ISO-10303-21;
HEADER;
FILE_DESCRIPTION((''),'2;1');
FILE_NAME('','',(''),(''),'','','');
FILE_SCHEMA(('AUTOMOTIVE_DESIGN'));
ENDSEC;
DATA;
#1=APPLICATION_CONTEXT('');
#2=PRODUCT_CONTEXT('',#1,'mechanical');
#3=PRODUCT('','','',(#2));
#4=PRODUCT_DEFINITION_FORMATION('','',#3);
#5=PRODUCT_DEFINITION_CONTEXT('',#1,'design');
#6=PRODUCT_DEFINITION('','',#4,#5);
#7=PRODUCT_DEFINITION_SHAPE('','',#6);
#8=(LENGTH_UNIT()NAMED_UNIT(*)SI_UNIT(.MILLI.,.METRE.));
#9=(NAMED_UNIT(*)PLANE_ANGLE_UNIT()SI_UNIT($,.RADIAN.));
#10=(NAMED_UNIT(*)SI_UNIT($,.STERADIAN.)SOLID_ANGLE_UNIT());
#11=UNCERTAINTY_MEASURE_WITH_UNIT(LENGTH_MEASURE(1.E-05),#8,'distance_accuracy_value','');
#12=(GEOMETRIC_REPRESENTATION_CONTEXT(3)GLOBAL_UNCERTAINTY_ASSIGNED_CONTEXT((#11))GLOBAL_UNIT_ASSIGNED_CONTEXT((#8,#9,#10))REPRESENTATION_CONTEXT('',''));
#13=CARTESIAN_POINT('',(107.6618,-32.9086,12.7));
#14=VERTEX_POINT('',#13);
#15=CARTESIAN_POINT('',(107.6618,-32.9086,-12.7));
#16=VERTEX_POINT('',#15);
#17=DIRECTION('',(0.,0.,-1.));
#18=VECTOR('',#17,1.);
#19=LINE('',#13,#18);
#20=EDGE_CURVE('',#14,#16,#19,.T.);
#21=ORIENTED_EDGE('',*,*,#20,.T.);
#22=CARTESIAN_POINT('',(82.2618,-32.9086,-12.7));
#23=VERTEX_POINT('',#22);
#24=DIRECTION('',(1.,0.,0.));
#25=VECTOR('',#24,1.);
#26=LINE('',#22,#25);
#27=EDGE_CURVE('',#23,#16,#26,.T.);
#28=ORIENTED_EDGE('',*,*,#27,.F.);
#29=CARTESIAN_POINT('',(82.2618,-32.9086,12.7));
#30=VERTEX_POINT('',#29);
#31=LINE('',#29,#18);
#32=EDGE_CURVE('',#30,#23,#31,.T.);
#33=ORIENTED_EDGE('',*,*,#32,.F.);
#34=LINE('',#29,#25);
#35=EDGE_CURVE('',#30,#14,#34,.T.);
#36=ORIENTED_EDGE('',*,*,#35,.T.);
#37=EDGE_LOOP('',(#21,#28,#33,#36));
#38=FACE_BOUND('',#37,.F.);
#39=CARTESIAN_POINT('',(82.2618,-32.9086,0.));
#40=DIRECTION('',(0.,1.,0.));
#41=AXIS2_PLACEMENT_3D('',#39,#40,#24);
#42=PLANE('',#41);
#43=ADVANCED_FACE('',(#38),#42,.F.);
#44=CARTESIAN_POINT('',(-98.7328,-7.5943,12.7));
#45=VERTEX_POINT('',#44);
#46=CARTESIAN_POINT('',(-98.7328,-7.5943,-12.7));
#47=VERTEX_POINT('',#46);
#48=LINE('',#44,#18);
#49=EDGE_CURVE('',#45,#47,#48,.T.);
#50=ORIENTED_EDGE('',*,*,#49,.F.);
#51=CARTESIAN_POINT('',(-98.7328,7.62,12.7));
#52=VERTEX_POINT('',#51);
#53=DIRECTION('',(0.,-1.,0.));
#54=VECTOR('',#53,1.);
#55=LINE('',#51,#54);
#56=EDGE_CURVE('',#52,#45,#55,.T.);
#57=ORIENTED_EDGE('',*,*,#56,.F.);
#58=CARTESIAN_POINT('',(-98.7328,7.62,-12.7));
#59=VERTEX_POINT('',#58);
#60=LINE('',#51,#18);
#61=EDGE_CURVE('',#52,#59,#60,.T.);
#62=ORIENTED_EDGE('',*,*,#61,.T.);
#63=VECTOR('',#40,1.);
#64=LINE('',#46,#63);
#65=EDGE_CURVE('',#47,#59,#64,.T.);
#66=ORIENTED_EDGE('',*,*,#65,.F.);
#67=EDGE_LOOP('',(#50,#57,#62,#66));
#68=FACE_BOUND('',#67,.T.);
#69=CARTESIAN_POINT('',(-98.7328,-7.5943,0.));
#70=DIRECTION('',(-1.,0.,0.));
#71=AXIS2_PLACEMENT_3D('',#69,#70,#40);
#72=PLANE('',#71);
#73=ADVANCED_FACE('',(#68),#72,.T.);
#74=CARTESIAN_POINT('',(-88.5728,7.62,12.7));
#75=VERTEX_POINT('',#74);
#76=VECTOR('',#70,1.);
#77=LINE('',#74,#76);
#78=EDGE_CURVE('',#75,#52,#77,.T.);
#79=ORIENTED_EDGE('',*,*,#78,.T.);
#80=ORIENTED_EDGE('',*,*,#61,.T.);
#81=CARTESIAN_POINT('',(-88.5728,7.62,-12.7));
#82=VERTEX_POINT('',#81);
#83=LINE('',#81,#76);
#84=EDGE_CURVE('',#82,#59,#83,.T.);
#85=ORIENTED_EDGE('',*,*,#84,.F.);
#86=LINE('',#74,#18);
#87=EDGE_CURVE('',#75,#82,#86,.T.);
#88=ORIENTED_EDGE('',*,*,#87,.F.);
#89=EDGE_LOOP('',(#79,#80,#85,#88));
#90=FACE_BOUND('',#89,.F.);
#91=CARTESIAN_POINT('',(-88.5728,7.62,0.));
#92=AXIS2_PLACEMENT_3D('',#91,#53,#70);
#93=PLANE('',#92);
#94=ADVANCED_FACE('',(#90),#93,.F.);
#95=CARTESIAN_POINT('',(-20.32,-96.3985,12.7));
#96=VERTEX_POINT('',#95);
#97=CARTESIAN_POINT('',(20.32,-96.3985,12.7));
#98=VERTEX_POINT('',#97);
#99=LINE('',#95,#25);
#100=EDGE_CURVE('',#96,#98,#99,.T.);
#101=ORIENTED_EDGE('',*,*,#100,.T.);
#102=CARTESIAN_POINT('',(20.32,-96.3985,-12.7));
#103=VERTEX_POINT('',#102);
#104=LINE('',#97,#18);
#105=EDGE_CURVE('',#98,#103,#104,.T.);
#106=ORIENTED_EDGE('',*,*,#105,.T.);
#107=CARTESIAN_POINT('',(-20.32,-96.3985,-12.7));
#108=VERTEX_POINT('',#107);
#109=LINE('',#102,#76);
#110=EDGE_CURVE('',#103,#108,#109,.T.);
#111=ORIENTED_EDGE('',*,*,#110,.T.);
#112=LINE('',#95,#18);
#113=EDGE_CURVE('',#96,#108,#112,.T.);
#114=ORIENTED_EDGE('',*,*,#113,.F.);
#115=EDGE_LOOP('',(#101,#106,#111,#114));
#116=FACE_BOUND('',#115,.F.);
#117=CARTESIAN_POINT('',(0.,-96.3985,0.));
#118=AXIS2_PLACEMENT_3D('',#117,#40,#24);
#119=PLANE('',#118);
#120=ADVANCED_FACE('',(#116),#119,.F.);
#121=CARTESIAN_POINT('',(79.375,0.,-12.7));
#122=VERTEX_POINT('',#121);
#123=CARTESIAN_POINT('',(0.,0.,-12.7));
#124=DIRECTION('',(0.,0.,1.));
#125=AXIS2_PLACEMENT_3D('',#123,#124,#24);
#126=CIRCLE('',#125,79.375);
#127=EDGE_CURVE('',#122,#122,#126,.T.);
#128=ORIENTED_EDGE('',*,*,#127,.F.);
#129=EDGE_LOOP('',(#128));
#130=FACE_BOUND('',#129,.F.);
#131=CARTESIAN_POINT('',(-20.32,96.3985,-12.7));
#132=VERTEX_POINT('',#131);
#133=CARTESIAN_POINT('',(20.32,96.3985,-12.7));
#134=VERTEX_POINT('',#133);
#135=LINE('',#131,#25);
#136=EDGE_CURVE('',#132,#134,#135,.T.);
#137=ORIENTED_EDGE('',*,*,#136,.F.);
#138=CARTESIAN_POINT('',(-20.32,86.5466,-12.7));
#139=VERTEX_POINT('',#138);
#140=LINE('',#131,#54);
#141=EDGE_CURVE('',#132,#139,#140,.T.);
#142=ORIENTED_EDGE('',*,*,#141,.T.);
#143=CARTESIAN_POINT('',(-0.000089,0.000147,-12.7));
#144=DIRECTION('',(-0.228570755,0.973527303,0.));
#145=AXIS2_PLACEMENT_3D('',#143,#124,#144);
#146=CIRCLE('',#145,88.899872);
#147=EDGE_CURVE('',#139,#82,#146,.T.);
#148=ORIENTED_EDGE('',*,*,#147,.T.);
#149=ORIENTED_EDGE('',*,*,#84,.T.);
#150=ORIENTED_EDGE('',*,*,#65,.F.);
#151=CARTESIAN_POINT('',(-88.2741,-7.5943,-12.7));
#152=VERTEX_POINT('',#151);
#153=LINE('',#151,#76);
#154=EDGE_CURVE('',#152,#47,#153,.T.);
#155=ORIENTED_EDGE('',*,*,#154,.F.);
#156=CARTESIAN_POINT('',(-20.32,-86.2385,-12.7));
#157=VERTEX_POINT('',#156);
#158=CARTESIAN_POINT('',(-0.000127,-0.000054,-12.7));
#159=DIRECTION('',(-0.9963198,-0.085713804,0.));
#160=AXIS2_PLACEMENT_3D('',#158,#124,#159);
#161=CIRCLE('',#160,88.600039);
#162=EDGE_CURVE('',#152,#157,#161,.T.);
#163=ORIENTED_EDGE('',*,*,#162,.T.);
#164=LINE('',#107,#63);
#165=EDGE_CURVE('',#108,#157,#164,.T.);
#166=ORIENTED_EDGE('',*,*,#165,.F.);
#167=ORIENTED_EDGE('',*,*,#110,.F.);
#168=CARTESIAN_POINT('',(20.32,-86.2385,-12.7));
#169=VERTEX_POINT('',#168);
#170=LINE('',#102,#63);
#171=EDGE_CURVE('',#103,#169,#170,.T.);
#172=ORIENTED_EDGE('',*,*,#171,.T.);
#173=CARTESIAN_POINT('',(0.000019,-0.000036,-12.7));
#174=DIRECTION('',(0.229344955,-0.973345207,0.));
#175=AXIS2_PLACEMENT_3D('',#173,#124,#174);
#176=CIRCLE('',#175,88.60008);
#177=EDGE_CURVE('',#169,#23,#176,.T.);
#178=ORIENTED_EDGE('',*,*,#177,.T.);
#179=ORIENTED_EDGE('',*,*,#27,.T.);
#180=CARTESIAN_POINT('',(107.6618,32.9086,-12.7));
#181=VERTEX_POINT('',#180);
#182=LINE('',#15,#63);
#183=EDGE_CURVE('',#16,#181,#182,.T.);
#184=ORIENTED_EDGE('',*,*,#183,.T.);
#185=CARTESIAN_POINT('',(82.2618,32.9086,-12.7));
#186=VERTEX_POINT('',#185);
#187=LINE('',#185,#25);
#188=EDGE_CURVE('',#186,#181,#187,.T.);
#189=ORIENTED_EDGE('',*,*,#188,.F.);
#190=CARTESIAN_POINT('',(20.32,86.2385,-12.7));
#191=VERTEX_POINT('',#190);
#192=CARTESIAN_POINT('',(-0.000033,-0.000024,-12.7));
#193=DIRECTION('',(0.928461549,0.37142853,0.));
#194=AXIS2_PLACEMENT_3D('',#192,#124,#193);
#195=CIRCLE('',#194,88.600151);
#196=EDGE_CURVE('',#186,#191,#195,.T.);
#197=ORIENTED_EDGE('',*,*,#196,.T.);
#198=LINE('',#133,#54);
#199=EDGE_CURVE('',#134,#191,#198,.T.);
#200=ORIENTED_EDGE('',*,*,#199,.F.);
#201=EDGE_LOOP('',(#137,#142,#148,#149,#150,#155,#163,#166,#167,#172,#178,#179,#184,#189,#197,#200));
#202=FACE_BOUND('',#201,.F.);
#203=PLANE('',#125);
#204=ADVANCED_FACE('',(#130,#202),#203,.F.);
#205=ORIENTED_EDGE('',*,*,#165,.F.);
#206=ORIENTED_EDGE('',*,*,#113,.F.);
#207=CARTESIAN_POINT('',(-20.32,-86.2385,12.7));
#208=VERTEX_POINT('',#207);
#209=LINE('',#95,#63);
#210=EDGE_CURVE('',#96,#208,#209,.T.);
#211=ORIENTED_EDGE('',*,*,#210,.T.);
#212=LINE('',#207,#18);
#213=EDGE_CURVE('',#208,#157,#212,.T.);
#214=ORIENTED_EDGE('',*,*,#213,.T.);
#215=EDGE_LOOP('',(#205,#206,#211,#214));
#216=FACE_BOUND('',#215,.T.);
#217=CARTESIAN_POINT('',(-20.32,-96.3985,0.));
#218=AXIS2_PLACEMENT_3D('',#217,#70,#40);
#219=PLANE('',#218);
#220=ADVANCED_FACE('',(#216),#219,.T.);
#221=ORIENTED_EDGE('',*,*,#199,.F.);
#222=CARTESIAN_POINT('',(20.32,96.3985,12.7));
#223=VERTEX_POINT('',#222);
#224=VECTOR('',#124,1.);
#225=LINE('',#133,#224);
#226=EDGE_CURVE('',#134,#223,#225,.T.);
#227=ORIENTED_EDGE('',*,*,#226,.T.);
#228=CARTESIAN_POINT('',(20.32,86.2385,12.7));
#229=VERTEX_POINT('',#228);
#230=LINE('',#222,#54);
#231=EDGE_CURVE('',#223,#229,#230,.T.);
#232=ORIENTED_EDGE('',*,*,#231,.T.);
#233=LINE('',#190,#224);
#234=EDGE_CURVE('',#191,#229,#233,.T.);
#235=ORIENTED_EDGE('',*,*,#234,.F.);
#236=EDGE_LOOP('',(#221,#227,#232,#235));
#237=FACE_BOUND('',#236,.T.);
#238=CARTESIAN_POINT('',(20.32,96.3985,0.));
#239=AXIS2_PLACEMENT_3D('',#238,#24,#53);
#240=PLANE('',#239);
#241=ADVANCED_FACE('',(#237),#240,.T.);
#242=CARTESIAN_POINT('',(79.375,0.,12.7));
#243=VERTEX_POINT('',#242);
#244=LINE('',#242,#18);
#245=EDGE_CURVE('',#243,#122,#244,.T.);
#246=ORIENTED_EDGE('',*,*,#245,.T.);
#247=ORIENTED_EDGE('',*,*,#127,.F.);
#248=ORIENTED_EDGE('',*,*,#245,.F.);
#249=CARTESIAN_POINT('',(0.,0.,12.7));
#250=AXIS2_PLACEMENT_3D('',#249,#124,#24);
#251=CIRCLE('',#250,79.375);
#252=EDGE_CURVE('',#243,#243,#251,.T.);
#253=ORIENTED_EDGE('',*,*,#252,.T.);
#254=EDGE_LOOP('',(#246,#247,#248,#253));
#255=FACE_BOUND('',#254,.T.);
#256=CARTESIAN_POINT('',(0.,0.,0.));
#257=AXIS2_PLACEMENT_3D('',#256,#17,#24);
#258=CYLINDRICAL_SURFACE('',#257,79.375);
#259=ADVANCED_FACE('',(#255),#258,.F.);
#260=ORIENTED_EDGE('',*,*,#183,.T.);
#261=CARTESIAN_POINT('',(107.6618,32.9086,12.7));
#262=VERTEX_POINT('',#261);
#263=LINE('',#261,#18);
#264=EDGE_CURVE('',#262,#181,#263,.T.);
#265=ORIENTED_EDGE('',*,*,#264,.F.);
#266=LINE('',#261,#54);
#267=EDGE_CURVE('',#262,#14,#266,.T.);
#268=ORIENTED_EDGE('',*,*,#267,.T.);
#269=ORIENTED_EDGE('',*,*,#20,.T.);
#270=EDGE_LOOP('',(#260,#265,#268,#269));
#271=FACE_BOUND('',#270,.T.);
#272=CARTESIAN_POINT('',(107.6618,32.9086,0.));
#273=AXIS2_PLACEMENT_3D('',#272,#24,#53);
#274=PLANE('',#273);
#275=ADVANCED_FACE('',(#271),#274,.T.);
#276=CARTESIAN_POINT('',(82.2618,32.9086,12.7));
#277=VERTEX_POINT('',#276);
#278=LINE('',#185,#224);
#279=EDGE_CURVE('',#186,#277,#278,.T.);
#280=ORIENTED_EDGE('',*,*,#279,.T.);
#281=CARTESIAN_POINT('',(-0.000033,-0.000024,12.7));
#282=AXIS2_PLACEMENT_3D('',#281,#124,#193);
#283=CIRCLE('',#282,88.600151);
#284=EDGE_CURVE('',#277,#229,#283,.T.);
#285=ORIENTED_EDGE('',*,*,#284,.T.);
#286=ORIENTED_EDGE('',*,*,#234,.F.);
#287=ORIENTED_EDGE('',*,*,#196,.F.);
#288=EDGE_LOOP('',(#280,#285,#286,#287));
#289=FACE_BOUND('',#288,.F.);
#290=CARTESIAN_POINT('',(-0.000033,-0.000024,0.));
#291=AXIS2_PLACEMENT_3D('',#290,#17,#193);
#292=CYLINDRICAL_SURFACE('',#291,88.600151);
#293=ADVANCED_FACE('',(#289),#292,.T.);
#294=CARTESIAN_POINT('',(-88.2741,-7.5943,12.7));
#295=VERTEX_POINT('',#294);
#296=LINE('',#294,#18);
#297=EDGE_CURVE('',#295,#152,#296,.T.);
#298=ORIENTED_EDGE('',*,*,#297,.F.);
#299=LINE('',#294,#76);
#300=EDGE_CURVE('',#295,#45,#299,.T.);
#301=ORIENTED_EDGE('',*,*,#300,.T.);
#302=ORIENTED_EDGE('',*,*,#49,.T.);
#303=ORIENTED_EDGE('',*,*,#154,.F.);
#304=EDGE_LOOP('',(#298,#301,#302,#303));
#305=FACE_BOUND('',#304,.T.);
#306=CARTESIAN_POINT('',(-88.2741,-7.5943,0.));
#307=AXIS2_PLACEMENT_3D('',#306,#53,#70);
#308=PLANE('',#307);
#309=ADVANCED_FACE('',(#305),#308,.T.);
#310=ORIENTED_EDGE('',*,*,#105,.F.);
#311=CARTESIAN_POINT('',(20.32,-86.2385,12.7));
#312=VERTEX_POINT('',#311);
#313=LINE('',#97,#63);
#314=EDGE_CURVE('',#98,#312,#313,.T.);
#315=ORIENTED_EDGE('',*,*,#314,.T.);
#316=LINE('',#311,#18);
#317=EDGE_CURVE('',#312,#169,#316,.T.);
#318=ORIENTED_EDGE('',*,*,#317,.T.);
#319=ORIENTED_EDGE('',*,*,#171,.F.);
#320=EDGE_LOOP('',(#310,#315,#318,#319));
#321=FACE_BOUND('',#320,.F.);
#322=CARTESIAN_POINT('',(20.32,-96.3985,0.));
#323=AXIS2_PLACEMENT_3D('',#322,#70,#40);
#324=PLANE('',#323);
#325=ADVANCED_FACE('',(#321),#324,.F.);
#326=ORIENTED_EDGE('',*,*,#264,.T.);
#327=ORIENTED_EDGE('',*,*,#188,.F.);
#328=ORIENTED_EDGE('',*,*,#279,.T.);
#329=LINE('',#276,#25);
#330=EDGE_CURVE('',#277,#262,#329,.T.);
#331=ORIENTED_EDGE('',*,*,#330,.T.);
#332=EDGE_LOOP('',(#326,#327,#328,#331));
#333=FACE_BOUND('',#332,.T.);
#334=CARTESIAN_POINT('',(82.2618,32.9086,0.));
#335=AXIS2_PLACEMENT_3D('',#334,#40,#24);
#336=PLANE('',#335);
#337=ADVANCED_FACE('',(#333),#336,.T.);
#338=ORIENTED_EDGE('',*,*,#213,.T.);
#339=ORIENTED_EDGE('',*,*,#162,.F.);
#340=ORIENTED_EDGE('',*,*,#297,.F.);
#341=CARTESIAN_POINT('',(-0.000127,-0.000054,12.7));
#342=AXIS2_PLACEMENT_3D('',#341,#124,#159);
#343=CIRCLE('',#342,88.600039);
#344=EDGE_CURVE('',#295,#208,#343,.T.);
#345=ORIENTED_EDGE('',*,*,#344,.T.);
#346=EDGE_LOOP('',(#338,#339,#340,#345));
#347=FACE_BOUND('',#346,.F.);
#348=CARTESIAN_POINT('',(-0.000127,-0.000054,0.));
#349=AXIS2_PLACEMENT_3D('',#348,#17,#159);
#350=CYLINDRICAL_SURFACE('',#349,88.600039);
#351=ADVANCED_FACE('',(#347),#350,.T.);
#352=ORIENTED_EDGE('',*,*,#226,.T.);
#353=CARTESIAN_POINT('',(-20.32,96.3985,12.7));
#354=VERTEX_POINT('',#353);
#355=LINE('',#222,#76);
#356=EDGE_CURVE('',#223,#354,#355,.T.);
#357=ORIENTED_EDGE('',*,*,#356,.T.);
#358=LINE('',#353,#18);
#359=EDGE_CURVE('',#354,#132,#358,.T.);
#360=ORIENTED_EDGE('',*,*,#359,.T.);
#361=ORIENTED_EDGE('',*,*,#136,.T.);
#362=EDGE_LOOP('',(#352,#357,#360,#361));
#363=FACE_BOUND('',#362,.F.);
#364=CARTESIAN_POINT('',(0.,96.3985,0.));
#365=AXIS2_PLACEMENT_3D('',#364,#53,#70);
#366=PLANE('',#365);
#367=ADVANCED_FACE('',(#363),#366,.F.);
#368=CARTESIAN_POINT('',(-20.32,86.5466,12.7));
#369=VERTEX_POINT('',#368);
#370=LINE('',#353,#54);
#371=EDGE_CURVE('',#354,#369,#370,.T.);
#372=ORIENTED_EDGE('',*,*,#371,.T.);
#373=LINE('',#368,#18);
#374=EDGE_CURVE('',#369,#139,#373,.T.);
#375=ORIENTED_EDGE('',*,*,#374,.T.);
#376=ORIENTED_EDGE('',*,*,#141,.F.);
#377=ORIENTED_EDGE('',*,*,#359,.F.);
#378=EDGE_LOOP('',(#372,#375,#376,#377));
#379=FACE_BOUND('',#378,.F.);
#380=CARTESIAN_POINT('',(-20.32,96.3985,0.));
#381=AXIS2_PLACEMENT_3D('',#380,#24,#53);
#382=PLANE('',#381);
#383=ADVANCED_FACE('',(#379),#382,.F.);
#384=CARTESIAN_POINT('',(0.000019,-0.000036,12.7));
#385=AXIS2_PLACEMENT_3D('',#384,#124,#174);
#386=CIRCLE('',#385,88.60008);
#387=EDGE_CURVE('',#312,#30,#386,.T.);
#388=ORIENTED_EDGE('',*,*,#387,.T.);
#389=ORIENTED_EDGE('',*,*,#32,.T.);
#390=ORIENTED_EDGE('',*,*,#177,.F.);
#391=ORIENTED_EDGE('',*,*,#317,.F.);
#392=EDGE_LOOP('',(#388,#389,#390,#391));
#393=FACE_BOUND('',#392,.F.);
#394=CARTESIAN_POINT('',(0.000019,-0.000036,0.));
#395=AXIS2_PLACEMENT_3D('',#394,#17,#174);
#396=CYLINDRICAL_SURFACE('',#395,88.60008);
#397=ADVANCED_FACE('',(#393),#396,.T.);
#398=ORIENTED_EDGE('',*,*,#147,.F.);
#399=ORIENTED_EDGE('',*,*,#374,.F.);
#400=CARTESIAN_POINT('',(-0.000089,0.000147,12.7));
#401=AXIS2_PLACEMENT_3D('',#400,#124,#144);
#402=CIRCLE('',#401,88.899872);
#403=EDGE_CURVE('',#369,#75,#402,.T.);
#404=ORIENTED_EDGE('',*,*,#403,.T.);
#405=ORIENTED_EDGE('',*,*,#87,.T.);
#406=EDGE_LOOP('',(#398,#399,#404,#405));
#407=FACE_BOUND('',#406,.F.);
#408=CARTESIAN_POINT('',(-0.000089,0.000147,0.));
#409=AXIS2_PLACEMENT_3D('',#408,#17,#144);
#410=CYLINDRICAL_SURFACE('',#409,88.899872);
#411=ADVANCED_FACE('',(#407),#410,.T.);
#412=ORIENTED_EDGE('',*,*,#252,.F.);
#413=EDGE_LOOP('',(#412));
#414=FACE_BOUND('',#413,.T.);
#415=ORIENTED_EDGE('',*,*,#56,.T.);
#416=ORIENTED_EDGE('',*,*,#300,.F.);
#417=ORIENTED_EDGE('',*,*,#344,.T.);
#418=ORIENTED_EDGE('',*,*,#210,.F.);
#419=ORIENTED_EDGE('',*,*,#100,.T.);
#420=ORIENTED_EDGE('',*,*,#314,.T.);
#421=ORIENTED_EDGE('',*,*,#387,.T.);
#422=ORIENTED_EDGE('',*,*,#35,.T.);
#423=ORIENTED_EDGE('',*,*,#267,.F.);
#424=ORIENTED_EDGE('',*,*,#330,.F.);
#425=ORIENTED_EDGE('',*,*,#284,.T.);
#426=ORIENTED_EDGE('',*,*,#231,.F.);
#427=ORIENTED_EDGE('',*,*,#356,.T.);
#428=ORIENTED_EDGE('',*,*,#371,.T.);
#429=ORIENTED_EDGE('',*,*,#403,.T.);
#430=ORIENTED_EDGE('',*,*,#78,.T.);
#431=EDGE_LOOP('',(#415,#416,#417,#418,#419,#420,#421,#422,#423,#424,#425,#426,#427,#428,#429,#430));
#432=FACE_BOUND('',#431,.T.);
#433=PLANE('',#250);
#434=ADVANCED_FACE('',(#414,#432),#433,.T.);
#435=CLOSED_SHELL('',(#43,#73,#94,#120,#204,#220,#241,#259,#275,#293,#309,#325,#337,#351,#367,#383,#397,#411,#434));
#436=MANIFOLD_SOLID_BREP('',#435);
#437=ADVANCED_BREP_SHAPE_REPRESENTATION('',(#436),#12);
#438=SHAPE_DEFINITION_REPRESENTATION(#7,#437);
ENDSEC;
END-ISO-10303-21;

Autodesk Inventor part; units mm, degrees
ref_plane "YZ Plane" through (0, 0, 0) normal (1, 0, 0) x (0, 1, 0)
ref_plane "XZ Plane" through (0, 0, 0) normal (0, 1, 0) x (-1, 0, 0)
ref_plane "XY Plane" through (0, 0, 0) normal (0, 0, 1) x (1, 0, 0)
sketch "Sketch1" plane through (0, 0, 0) normal (0, 0, 1) x (1, 0, 0)
  circle A0 centre (0, 0) radius 79.375
  line L0 (82.2618, 32.9086) -> (107.6618, 32.9086)
  line L1 (107.6618, 32.9086) -> (107.6618, -0.1114)
  line L2 (-88.5728, 7.62) -> (-98.7328, 7.62)
  line L3 (-98.7328, 7.62) -> (-98.7328, 0)
  line L4 (0, 96.3985) -> (20.32, 96.3985)
  line L5 (20.32, 96.3985) -> (20.32, 86.2385)
  line L6 (82.2618, -32.9086) -> (107.6618, -32.9086)
  line L7 (107.6618, -32.9086) -> (107.6618, -0.1114)
  line L8 (-88.2741, -7.5943) -> (-98.7328, -7.5943)
  line L9 (-98.7328, -7.5943) -> (-98.7328, 0)
  line L10 (0, 96.3985) -> (-20.32, 96.3985)
  line L11 (-20.32, 96.3985) -> (-20.32, 86.5466)
  arc A1 (-88.2741, -7.5943) -> (-20.32, -86.2385) centre (0, 0) ccw
  arc A2 (-20.32, 86.5466) -> (-88.5728, 7.62) centre (0, 0) ccw
  arc A3 (20.32, -86.2385) -> (82.2618, -32.9086) centre (0, 0) ccw
  arc A4 (82.2618, 32.9086) -> (20.32, 86.2385) centre (0, 0) ccw
  line L12 (-88.9, 0) -> (88.9, 0) construction
  line L13 (0, -96.3985) -> (20.32, -96.3985)
  line L14 (20.32, -96.3985) -> (20.32, -86.2385)
  line L15 (0, -96.3985) -> (-20.32, -96.3985)
  line L16 (-20.32, -96.3985) -> (-20.32, -86.2385)
  arc A5 (-20.32, 86.5466) -> (-88.5728, 7.62) centre (0, 0) ccw
  arc A6 (82.2618, 32.9086) -> (20.32, 86.2385) centre (0, 0) ccw
  arc A7 (-88.2741, -7.5943) -> (-20.32, -86.2385) centre (0, 0) ccw
  arc A8 (20.32, -86.2385) -> (82.2618, -32.9086) centre (0, 0) ccw
  line L17 (0, 0) -> (0, 96.3985) construction
  line L18 (0, 0) -> (0, -96.3985) construction
  dimension "d2" = 25.4
  dimension "d5" = 10.16
  dimension "d7" = 10.16
  dimension "d8" = 7.62
  dimension "d10" = 33.02
  dimension "d14" = 158.75
  dimension "d15" = 177.8
  dimension "d24" = 20.32
  dimension "d25" = 20.32
  dimension "d26" = 40.64
extrude "Extrusion2" add sketch "Sketch1" along normal mid plane 25.4
properties part number "celestronTubeBracket" material "Aluminum 6061"
